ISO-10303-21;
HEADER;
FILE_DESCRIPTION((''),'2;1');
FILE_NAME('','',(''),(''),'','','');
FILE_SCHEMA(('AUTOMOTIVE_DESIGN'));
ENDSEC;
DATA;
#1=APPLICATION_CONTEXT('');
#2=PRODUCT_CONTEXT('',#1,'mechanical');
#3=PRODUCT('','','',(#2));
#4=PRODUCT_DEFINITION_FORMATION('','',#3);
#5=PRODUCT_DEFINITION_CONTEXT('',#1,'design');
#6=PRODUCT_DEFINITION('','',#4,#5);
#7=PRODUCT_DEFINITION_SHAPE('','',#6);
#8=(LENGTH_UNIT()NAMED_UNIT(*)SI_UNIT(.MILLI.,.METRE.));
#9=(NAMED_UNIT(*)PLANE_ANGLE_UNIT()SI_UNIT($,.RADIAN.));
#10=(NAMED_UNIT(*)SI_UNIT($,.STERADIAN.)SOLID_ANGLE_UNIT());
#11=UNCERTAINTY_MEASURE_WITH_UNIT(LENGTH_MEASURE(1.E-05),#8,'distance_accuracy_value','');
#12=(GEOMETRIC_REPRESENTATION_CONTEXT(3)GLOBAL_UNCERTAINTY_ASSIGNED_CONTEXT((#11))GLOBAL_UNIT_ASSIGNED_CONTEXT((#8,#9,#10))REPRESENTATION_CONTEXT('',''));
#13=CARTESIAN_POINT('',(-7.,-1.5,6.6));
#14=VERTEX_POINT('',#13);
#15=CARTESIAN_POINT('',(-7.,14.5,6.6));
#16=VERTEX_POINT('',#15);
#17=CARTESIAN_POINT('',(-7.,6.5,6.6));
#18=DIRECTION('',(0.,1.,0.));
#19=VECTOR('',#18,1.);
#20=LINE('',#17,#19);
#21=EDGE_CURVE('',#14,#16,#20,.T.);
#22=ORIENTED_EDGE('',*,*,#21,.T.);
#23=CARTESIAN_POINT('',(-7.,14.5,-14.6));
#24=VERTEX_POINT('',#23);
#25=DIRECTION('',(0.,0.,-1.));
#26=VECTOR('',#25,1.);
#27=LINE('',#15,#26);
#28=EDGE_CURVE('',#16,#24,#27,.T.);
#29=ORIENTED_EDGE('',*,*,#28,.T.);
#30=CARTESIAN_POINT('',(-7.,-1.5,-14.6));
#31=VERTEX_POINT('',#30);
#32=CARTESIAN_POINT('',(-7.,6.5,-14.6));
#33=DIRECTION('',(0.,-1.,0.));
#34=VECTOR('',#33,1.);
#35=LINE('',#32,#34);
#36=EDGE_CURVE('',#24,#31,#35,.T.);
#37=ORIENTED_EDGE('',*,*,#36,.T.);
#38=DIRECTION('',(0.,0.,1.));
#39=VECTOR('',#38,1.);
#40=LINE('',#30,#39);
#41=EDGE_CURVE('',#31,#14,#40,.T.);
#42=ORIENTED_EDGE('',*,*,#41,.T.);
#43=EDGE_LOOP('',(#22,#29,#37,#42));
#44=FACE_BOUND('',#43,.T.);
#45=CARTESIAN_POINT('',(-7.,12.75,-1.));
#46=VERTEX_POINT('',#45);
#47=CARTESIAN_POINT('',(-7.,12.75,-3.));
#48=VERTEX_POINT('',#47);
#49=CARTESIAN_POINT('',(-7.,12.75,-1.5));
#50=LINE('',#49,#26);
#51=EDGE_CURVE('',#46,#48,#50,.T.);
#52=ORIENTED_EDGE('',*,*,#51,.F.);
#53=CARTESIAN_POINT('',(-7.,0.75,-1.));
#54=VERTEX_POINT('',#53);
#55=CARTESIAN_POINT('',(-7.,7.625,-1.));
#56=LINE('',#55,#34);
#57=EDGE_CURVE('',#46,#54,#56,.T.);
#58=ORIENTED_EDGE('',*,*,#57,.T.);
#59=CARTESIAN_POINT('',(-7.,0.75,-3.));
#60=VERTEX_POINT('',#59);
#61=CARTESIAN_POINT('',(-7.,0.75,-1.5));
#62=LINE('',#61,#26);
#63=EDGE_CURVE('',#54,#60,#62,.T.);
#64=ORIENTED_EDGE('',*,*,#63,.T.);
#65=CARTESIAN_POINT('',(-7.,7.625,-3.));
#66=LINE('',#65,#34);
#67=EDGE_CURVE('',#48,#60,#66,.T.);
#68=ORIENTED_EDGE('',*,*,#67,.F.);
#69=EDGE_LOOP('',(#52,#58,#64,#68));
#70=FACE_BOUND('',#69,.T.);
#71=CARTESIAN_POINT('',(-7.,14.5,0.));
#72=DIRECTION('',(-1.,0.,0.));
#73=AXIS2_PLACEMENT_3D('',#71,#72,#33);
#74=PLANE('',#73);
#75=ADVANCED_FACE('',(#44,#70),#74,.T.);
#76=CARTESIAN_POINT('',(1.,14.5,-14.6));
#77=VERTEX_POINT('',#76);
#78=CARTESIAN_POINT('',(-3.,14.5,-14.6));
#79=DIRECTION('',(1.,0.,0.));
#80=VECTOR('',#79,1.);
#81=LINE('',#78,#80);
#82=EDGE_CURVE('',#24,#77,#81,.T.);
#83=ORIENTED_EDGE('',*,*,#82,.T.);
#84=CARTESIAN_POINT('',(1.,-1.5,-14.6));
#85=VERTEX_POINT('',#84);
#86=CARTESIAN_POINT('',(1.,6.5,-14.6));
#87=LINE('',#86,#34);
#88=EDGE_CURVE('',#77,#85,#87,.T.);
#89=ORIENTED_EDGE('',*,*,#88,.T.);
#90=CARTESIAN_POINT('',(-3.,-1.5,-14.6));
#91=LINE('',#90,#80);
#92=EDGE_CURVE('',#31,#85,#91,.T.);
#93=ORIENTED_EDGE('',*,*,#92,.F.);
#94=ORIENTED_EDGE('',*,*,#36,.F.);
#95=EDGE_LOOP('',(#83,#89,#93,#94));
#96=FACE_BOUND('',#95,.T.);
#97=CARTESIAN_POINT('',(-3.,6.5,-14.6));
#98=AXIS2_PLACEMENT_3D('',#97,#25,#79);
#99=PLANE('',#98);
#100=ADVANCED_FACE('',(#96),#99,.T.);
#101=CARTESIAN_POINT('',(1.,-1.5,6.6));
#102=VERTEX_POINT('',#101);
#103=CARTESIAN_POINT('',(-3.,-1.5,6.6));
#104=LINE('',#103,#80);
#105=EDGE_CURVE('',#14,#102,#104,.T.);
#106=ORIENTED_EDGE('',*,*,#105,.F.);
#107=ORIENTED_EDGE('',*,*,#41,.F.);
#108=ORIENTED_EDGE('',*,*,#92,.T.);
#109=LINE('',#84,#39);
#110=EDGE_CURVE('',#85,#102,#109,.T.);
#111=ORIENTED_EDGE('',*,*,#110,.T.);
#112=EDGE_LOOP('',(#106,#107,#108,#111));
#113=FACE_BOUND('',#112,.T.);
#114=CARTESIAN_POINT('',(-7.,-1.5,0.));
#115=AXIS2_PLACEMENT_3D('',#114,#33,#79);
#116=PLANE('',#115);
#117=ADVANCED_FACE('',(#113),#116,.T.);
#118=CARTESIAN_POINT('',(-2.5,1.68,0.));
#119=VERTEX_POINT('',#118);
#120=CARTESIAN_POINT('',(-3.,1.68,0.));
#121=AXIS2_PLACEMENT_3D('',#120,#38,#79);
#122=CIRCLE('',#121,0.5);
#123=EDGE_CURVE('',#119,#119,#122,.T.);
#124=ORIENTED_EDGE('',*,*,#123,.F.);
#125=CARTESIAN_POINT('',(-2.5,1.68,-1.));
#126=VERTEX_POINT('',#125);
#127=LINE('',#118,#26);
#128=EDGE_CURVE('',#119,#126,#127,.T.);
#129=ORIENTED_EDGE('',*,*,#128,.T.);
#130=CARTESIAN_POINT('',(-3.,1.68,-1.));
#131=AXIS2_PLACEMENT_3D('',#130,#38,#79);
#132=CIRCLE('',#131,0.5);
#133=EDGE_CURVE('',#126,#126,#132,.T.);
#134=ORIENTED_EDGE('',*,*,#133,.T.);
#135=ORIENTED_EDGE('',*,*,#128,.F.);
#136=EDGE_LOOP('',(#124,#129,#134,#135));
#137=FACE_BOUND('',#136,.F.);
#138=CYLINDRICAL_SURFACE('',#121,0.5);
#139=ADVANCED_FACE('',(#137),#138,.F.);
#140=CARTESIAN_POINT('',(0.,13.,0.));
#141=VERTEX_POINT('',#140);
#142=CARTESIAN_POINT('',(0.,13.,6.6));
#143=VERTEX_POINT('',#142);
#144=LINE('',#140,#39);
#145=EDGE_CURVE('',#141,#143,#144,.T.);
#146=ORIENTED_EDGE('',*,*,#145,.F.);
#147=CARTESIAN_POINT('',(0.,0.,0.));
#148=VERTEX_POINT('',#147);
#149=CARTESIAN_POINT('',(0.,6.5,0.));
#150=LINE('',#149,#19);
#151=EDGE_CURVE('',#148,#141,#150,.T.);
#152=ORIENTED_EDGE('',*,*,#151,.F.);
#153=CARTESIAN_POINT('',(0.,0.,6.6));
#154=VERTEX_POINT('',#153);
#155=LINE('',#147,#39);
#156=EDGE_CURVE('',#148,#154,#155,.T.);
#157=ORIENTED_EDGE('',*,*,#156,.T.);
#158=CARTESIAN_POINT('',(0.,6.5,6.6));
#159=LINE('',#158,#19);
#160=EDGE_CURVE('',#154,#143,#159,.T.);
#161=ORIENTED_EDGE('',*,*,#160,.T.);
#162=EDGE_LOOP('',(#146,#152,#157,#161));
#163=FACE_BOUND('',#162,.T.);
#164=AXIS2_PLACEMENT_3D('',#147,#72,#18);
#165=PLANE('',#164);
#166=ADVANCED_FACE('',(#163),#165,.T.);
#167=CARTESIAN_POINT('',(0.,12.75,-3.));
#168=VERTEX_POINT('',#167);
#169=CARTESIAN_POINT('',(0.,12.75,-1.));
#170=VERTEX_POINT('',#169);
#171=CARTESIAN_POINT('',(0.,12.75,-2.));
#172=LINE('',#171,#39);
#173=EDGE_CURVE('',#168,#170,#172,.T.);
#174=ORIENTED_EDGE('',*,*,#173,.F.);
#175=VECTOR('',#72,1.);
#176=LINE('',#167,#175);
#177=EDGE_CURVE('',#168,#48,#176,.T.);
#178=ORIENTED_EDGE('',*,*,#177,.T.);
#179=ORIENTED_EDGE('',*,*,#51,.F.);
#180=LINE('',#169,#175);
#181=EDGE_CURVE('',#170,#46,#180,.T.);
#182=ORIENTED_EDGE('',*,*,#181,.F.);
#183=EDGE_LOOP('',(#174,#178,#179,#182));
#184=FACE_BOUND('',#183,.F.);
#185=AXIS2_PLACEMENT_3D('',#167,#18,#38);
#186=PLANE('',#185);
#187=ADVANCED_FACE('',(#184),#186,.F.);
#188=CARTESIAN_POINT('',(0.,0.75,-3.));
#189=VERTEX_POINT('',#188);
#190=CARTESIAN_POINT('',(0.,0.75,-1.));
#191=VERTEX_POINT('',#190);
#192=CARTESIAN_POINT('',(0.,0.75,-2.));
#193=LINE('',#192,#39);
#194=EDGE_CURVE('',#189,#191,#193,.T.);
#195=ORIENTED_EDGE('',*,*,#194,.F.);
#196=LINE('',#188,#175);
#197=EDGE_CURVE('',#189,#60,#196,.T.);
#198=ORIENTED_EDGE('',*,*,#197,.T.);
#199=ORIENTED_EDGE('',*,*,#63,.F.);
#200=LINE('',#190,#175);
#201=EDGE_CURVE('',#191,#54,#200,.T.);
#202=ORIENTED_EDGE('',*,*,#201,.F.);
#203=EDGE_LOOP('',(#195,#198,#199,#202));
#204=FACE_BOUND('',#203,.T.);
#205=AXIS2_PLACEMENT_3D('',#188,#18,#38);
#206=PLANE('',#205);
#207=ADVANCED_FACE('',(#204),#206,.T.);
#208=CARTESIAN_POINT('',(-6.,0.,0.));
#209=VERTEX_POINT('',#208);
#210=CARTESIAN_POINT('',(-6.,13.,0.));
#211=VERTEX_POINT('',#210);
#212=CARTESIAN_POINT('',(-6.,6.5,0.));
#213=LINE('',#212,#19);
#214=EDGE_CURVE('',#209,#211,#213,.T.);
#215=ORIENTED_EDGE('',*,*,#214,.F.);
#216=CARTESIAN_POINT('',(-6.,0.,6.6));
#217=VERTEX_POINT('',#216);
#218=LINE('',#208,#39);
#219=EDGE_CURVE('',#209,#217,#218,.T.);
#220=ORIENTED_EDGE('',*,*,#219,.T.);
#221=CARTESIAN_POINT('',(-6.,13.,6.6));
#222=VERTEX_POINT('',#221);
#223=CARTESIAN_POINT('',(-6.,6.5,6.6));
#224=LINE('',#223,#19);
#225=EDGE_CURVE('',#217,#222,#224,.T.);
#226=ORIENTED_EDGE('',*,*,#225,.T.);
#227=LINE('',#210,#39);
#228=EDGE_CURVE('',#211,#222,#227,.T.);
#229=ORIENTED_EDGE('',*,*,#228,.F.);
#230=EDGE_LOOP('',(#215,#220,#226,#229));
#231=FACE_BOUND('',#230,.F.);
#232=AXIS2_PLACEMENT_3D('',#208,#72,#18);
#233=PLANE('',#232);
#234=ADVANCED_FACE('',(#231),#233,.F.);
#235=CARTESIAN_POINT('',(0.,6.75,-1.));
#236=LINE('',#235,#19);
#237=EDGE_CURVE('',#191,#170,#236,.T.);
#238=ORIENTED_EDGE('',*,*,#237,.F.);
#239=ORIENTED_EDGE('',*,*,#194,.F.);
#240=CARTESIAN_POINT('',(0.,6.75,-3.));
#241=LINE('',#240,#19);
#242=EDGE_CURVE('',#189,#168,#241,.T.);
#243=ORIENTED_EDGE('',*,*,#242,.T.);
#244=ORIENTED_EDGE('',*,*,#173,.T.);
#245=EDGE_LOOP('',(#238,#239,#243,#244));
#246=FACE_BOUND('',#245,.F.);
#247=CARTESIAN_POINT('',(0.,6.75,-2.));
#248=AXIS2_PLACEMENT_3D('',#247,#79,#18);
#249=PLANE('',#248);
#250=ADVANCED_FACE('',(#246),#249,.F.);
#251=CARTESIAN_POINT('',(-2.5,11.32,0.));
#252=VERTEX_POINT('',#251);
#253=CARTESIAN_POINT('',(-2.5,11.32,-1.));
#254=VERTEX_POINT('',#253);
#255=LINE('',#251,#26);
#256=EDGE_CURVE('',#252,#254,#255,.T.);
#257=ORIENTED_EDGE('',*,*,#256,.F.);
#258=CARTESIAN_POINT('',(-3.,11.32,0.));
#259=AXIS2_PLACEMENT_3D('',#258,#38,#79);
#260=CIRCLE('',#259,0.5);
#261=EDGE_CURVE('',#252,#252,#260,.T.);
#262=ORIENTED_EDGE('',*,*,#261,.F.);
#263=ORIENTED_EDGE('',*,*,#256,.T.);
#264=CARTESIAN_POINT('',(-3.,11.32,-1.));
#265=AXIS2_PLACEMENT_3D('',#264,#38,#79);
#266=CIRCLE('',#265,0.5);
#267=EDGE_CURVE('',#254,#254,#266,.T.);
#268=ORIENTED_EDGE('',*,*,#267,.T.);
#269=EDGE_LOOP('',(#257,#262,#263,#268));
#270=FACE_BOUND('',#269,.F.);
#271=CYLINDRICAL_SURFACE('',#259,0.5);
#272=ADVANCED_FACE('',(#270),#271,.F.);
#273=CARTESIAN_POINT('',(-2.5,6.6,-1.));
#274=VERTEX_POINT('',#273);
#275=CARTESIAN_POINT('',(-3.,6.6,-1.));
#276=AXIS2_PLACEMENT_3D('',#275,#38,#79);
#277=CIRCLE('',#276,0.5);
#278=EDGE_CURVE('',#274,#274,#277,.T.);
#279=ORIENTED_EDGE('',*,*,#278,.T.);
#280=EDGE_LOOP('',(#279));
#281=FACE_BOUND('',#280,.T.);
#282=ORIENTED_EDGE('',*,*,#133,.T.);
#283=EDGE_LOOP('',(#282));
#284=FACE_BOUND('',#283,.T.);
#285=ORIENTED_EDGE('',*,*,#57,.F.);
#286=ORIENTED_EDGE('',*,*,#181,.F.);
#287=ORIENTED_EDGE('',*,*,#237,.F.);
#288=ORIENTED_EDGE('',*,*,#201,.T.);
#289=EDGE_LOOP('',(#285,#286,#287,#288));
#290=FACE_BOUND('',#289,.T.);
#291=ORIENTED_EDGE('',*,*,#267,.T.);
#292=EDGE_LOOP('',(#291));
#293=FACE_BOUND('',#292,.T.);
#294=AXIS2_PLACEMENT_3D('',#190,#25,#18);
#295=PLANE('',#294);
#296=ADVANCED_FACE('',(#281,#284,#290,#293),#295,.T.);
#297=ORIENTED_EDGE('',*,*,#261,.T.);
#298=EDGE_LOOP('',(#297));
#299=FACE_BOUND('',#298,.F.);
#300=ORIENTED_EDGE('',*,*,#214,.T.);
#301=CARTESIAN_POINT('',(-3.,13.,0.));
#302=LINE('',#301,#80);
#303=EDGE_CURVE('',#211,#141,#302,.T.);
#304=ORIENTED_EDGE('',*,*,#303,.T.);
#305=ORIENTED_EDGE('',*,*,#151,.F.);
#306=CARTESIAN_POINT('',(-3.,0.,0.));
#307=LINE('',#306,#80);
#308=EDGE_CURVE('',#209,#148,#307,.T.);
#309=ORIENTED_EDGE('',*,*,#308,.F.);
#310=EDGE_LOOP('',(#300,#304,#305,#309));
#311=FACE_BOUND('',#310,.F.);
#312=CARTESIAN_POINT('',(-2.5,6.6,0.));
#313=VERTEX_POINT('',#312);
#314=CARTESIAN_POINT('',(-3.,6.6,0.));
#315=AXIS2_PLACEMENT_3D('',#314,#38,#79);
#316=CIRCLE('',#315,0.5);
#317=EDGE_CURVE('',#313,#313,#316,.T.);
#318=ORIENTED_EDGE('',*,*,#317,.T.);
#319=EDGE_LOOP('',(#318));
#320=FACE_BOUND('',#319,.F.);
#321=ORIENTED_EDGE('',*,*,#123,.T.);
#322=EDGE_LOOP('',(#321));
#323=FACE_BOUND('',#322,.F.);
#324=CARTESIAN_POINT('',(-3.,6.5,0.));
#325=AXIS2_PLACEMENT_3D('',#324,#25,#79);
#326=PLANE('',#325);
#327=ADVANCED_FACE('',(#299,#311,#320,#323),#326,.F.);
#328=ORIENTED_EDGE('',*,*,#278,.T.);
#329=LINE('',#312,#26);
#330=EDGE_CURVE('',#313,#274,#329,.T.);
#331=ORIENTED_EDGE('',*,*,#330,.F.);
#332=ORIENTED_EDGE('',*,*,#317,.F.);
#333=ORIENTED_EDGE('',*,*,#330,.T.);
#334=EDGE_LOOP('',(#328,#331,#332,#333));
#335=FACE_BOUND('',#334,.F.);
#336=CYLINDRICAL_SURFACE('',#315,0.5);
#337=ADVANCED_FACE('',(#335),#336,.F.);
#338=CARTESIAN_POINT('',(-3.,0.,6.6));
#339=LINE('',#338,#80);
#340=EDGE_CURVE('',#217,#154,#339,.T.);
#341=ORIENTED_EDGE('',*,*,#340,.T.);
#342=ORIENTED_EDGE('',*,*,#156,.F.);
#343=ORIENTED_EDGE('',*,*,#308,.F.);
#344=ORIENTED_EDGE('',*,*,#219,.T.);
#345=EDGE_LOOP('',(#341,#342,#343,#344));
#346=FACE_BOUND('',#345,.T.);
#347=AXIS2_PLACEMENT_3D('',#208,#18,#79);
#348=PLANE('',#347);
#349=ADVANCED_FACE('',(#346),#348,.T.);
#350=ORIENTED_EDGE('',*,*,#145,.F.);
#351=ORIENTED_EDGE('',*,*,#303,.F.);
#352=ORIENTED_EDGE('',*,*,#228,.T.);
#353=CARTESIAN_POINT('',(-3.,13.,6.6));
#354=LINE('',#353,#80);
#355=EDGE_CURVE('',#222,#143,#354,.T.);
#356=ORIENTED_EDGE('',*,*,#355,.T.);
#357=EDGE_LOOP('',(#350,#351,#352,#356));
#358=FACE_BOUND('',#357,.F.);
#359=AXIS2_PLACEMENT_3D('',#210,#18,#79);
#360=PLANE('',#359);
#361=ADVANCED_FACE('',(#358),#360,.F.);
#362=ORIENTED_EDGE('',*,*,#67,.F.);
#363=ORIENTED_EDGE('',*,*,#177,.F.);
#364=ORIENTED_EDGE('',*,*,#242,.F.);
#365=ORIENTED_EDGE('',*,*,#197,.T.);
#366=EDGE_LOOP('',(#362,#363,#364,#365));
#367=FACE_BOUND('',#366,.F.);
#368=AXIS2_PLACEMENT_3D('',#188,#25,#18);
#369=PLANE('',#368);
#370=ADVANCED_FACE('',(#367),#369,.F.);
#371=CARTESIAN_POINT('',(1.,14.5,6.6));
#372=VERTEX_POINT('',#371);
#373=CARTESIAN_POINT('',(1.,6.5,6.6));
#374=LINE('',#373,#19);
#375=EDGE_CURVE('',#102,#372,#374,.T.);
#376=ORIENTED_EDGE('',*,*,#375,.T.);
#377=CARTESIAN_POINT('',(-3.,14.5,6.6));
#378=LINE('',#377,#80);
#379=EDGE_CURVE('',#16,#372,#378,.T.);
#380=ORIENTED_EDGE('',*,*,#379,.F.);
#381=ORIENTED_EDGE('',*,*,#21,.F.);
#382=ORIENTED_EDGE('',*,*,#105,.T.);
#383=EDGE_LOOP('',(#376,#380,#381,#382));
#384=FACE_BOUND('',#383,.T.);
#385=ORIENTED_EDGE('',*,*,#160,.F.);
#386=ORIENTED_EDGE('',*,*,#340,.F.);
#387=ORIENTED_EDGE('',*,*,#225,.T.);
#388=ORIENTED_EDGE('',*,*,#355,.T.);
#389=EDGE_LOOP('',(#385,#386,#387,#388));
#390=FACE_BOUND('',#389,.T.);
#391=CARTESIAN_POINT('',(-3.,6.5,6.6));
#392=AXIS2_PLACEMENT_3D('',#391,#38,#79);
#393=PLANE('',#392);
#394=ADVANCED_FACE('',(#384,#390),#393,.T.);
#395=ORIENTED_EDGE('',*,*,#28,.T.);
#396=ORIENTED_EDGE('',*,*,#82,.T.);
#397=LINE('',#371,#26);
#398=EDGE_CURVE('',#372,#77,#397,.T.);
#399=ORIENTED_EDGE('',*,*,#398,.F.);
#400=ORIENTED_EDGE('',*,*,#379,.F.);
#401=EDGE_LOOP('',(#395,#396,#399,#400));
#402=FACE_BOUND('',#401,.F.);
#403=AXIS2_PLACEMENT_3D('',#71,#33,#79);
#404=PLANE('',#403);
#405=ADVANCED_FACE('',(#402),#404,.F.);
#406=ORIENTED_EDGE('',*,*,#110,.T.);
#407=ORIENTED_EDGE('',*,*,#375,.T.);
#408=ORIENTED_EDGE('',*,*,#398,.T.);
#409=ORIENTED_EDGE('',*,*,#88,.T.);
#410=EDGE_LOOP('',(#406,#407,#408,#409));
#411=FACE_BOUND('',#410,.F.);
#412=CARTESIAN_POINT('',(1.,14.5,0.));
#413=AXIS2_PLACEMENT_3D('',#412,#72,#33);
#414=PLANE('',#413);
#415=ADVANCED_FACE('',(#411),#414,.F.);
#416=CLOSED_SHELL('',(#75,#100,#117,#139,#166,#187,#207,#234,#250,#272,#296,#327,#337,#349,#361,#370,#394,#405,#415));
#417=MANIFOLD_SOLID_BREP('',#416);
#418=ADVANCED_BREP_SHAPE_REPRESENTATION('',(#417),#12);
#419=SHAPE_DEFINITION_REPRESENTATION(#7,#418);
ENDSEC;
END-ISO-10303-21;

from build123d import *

# Parameters (mm, degrees)
F0_W     = 8
F0_H     = 16
F0_W_2   = 6
F0_H_2   = 13
F1_DEPTH = 6.6
F2_W     = 8
F2_H     = 16
F3_DEPTH = 14.6
F5_R     = 0.5
F6_DEPTH = 3
F4_W     = 12
F4_H     = 2
F7_DEPTH = 12


with BuildPart() as f1:
    # F0 (on Top) → F1 (new body)
    with BuildSketch(Plane.XY):
        with Locations((-3, 6.5)):
            Rectangle(F0_W, F0_H)
        with Locations((-3, 6.5)):
            Rectangle(F0_W_2, F0_H_2, mode=Mode.SUBTRACT)
    extrude(amount=F1_DEPTH)

    # F2 (on face) → F3 (join)
    with BuildSketch(Plane(origin=(0, 0, 0), x_dir=(1, 0, 0), z_dir=(0, 0, -1))):
        with Locations((-3, -6.5)):
            Rectangle(F2_W, F2_H)
    extrude(amount=F3_DEPTH)

    # F5 (on face) → F6 (cut)
    with BuildSketch(Plane.XY):
        with Locations((-3, 11.32)):
            Circle(F5_R)
        with Locations((-3, 6.6)):
            Circle(F5_R)
        with Locations((-3, 1.68)):
            Circle(F5_R)
    extrude(amount=-F6_DEPTH, mode=Mode.SUBTRACT)

    # F4 (on Right) → F7 (cut)
    with BuildSketch(Plane.YZ):
        with Locations((6.75, -2)):
            Rectangle(F4_W, F4_H)
    extrude(amount=-F7_DEPTH, mode=Mode.SUBTRACT)


solid = f1.part
